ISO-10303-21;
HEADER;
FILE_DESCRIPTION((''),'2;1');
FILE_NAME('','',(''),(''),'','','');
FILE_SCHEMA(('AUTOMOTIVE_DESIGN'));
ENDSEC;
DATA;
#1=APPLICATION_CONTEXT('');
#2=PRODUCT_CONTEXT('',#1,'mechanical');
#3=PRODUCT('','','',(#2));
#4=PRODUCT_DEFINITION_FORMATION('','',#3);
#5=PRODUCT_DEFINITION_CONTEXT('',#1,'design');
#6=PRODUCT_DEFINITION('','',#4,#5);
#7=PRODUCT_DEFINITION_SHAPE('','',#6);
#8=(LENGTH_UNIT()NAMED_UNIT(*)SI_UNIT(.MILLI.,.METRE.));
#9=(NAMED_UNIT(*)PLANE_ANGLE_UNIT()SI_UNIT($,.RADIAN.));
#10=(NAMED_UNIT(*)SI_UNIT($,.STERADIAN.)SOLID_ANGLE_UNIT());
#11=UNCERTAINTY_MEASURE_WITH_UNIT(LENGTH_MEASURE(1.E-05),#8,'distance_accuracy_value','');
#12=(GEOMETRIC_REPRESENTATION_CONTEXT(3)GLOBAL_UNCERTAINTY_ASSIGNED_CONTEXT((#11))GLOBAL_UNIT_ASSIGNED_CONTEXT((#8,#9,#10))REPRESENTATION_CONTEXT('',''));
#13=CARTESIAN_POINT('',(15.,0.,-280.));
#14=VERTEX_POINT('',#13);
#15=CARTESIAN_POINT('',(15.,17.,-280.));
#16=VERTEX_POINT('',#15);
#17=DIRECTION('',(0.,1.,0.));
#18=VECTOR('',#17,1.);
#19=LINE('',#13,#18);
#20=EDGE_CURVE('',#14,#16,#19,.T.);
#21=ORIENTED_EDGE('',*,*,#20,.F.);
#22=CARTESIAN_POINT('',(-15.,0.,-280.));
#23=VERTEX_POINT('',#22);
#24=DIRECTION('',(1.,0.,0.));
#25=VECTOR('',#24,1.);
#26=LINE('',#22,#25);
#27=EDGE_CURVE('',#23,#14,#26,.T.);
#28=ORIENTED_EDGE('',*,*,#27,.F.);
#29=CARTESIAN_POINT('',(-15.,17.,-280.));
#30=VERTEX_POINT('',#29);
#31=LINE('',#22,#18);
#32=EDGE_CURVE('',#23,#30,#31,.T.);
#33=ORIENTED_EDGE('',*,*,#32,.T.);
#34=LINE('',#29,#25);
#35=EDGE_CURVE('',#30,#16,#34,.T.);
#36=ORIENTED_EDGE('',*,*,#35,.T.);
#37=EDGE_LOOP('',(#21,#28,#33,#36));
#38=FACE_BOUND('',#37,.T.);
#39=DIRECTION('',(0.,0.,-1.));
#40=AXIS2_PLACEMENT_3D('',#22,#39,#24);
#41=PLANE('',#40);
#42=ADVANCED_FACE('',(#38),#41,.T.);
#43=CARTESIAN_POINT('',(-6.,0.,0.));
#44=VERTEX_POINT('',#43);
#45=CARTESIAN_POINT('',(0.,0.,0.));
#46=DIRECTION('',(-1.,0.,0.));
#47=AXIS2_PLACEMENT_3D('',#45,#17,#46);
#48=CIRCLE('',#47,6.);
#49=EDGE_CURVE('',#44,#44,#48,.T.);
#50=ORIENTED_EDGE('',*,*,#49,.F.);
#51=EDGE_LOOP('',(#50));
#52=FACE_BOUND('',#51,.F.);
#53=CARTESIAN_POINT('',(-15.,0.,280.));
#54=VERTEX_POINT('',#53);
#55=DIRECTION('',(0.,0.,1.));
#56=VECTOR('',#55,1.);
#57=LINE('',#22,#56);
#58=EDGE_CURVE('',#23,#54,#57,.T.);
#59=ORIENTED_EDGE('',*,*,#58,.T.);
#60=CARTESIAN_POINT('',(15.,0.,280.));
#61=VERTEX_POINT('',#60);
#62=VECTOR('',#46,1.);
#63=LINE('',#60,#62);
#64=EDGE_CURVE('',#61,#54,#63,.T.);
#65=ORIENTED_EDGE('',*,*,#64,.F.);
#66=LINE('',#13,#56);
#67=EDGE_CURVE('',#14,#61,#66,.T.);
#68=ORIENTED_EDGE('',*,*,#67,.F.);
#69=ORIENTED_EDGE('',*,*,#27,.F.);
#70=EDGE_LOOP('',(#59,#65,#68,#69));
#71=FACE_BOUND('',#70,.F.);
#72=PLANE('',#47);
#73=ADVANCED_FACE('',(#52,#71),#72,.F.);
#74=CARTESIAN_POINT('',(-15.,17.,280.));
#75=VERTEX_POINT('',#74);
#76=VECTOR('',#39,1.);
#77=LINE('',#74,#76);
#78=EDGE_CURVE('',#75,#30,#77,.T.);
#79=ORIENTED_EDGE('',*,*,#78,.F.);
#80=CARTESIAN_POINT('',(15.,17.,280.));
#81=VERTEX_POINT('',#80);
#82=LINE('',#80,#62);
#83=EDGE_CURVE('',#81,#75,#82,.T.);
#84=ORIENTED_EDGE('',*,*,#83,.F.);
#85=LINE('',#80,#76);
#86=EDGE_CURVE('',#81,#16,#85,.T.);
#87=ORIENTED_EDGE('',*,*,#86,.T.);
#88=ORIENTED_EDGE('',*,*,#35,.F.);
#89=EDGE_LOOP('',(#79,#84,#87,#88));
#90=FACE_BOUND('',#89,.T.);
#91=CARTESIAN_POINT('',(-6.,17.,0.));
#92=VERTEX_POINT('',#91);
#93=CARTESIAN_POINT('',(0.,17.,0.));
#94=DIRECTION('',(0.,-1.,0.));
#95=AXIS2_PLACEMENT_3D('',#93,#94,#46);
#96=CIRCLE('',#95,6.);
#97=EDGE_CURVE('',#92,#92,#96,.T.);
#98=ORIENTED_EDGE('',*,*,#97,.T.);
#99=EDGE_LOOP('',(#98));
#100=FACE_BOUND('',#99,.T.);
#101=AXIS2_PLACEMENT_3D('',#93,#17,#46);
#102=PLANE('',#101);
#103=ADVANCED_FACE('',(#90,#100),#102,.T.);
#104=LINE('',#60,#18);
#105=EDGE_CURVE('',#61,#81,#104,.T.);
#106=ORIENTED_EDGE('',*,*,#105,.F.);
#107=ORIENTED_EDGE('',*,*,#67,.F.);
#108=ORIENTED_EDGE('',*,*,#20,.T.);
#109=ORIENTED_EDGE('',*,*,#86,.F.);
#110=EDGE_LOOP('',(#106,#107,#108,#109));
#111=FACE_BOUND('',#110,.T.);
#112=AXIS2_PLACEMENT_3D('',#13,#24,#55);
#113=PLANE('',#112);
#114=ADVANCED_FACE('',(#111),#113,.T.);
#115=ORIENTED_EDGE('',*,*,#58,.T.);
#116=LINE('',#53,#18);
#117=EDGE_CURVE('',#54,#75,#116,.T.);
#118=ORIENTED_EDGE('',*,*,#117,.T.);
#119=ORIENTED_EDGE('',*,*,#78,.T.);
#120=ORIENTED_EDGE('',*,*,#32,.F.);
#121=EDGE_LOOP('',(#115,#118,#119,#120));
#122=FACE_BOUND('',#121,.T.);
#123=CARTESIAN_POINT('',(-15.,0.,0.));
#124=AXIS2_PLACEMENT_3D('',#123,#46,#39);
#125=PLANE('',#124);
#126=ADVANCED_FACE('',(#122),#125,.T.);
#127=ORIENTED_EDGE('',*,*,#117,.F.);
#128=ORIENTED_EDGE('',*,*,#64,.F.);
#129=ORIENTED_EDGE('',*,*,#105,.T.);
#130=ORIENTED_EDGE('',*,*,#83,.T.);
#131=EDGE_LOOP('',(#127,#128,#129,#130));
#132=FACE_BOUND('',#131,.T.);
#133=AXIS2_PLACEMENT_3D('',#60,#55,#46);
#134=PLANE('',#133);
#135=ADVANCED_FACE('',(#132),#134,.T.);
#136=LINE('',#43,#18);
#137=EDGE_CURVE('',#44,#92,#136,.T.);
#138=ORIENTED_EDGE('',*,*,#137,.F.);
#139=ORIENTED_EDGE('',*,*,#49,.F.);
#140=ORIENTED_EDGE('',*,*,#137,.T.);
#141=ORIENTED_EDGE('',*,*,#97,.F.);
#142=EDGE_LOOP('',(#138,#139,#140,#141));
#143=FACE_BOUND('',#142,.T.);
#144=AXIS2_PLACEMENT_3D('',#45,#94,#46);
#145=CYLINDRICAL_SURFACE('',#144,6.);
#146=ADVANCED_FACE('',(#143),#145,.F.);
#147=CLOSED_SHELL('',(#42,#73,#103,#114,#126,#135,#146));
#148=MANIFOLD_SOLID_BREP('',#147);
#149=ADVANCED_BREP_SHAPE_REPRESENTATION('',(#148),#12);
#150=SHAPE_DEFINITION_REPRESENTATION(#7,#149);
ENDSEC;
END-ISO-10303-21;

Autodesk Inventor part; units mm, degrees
ref_plane "YZ Plane" through (0, 0, 0) normal (1, 0, 0) x (0, 1, 0)
ref_plane "XZ Plane" through (0, 0, 0) normal (0, 1, 0) x (-1, 0, 0)
ref_plane "XY Plane" through (0, 0, 0) normal (0, 0, 1) x (1, 0, 0)
sketch "Sketch1" plane through (0, 0, 0) normal (0, 1, 0) x (-1, 0, 0)
  circle A0 centre (0, 0) radius 6
  line L0 (6, 0) -> (15, 0)
  line L1 (15, 0) -> (15, -280)
  line L2 (15, -280) -> (-15, -280)
  line L3 (-15, -280) -> (-15, 0)
  line L4 (-15, 0) -> (-6, 0)
  line L5 (-15, 0) -> (-15, 280)
  line L6 (-15, 280) -> (15, 280)
  line L7 (15, 280) -> (15, 0)
  dimension "d0" = 12
  dimension "d1" = 15
  dimension "d2" = 280
  dimension "d3" = 30
  dimension "d4" = 280
  dimension "d5" = 30
extrude "Extrusion1" add sketch "Sketch1" along normal blind 17 contours L0 L1 L2 L3 L4 A0 | A0 L4 L5 L6 L7 L0
properties part number "clip_base"
